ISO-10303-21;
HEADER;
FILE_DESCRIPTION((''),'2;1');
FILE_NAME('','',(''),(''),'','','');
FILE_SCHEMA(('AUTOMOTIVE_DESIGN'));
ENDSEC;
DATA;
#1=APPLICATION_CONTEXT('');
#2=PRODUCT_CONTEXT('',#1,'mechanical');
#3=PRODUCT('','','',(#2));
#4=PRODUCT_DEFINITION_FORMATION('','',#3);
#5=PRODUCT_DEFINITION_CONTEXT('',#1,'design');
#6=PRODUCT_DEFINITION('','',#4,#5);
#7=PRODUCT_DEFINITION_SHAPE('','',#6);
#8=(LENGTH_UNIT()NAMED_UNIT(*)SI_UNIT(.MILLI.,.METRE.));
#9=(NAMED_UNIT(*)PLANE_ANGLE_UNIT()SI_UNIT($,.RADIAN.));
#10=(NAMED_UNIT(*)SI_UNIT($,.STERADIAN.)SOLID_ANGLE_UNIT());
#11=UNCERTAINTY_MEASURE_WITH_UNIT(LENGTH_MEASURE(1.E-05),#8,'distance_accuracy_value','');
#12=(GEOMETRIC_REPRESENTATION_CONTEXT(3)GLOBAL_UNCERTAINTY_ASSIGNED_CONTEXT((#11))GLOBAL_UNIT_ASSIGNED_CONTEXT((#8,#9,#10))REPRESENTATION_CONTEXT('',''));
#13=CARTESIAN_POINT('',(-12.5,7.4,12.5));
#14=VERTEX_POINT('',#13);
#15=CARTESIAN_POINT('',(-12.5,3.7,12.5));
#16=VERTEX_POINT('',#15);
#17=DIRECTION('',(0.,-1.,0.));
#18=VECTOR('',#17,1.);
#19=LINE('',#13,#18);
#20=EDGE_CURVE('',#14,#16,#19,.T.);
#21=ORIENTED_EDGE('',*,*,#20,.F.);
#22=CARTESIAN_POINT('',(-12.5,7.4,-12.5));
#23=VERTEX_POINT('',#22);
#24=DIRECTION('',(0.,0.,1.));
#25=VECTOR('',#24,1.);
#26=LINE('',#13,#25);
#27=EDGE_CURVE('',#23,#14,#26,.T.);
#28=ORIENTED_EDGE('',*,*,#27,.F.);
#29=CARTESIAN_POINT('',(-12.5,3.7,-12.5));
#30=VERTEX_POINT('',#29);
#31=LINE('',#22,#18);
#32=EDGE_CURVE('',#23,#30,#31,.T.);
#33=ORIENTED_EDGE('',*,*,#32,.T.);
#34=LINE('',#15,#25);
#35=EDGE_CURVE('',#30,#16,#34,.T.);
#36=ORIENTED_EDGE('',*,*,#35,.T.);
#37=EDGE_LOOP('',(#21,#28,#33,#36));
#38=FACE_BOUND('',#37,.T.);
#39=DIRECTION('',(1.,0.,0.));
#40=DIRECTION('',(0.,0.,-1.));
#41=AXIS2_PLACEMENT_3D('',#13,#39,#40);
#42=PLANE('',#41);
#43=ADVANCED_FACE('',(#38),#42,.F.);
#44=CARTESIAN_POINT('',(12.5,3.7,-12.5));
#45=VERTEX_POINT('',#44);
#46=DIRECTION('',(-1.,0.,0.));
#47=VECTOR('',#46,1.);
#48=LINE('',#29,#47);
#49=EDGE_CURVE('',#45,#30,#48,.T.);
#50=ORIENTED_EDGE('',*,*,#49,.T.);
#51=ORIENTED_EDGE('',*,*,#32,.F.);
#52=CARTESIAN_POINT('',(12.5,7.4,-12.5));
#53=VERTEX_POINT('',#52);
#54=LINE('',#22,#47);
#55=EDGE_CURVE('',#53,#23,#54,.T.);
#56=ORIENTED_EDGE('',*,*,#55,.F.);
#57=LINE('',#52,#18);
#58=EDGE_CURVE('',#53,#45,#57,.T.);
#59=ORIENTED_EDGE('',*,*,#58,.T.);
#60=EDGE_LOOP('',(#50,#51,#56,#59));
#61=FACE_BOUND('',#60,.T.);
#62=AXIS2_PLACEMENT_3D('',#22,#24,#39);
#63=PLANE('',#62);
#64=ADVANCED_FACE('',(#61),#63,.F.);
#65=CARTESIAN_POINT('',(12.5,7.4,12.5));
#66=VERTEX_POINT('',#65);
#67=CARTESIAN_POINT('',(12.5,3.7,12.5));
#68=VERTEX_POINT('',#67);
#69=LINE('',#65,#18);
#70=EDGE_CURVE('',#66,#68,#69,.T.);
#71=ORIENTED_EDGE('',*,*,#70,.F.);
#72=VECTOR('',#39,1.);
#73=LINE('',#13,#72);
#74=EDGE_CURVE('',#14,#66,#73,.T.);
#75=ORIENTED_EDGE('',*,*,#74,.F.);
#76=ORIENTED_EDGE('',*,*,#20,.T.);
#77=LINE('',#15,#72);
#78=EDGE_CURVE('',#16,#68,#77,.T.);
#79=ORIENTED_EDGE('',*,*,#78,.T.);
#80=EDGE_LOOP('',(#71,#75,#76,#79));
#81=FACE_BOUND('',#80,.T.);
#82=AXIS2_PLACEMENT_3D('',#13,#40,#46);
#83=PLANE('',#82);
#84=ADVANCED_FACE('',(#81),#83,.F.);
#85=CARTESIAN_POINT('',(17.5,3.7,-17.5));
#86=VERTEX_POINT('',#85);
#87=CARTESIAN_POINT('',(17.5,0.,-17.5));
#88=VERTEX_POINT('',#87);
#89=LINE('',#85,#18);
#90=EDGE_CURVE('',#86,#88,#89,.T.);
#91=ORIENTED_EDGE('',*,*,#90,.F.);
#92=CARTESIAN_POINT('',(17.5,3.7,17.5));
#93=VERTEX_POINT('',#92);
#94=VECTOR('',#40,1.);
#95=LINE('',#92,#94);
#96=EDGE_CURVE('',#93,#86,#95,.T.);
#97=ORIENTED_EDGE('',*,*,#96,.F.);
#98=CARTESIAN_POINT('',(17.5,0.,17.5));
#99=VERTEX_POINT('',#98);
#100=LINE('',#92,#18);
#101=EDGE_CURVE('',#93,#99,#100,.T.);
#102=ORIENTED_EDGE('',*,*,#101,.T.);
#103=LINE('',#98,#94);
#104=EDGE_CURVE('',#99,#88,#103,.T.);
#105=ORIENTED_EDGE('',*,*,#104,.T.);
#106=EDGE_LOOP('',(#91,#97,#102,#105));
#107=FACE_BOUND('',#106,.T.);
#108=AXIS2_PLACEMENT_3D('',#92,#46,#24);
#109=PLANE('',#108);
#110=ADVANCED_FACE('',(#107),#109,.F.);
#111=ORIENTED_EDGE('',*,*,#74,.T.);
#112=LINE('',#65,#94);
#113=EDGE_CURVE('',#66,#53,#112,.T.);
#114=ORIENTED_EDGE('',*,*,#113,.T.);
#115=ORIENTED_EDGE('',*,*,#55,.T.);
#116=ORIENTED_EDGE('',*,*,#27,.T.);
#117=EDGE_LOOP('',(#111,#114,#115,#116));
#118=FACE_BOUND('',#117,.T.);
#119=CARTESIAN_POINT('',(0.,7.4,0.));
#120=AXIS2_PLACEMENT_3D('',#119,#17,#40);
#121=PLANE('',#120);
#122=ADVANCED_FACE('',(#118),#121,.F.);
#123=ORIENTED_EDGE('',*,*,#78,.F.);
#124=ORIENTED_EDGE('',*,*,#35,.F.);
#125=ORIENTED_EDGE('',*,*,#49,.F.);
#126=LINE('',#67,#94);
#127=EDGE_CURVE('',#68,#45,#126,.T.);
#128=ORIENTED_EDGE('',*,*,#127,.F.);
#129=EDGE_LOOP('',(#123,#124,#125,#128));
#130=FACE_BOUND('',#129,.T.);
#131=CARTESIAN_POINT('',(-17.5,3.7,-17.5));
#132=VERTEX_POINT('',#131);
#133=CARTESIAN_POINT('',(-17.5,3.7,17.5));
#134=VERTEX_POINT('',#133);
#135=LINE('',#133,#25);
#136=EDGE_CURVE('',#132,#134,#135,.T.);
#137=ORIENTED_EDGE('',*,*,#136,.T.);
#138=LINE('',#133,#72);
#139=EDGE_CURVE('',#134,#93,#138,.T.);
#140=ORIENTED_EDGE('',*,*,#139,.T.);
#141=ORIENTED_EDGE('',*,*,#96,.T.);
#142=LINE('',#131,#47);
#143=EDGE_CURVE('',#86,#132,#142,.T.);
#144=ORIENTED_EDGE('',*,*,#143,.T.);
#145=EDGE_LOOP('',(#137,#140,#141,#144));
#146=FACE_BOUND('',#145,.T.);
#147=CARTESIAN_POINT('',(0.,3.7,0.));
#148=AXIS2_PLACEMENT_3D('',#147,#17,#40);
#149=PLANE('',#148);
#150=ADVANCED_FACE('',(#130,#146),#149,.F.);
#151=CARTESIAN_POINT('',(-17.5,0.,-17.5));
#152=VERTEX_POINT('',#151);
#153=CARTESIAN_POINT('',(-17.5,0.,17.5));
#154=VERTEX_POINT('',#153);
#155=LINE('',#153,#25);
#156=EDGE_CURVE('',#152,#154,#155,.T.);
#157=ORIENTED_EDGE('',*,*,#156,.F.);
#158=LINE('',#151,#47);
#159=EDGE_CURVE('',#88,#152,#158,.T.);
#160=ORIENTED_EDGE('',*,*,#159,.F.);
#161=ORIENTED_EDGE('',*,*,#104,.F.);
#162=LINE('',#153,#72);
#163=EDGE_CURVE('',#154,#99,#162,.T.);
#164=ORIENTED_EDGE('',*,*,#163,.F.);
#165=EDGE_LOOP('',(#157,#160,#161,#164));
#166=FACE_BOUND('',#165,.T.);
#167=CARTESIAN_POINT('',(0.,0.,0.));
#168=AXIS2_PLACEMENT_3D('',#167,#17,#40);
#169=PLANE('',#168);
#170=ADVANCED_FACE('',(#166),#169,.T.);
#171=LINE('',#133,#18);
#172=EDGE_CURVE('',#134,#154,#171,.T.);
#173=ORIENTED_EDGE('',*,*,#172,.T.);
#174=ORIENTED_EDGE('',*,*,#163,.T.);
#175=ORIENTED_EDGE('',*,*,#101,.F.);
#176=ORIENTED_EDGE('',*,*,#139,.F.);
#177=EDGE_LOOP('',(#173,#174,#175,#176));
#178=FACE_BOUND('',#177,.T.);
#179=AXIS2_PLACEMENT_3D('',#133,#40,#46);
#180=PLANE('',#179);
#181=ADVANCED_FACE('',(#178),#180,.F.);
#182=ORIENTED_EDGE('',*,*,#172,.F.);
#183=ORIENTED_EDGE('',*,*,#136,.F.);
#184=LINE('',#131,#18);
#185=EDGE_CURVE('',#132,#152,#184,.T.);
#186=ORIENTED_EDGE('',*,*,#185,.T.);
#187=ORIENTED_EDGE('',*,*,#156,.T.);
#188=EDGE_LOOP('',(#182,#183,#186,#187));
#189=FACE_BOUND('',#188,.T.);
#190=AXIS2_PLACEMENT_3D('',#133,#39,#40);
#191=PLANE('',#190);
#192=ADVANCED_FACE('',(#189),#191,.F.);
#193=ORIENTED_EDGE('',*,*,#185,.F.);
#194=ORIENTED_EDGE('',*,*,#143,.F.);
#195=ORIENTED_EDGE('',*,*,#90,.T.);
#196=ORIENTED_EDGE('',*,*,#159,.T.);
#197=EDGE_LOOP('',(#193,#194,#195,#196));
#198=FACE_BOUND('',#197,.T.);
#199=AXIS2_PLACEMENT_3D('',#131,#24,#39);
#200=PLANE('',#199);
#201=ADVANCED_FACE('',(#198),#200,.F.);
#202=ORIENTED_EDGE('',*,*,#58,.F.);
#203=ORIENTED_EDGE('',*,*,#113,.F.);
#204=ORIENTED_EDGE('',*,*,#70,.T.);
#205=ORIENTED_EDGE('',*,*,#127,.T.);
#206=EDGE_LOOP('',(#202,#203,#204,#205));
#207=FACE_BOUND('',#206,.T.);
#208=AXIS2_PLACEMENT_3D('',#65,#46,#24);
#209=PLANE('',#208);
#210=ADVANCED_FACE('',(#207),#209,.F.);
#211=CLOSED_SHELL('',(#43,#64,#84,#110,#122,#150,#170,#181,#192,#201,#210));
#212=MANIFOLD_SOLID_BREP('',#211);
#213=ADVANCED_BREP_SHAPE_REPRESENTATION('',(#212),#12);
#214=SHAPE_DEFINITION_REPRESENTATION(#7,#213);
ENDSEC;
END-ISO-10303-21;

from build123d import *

# Parameters (mm, degrees)
SKETCH1_W           = 35
SKETCH1_H           = 35
BOSS_EXTRUDE1_DEPTH = 3.7
SKETCH2_W           = 25
SKETCH2_H           = 25
BOSS_EXTRUDE2_DEPTH = 3.7


with BuildPart() as part:
    # Sketch1 → Boss-Extrude1 (new body)
    with BuildSketch(Plane(origin=(0, 0, 0), x_dir=(1, 0, 0), z_dir=(0, 1, 0))):
        Rectangle(SKETCH1_W, SKETCH1_H)
    extrude(amount=BOSS_EXTRUDE1_DEPTH)

    # Sketch2 → Boss-Extrude2 (add)
    with BuildSketch(Plane(origin=(0, 3.7, 0), x_dir=(1, 0, 0), z_dir=(0, 1, 0))):
        Rectangle(SKETCH2_W, SKETCH2_H)
    extrude(amount=BOSS_EXTRUDE2_DEPTH)


solid = part.part
